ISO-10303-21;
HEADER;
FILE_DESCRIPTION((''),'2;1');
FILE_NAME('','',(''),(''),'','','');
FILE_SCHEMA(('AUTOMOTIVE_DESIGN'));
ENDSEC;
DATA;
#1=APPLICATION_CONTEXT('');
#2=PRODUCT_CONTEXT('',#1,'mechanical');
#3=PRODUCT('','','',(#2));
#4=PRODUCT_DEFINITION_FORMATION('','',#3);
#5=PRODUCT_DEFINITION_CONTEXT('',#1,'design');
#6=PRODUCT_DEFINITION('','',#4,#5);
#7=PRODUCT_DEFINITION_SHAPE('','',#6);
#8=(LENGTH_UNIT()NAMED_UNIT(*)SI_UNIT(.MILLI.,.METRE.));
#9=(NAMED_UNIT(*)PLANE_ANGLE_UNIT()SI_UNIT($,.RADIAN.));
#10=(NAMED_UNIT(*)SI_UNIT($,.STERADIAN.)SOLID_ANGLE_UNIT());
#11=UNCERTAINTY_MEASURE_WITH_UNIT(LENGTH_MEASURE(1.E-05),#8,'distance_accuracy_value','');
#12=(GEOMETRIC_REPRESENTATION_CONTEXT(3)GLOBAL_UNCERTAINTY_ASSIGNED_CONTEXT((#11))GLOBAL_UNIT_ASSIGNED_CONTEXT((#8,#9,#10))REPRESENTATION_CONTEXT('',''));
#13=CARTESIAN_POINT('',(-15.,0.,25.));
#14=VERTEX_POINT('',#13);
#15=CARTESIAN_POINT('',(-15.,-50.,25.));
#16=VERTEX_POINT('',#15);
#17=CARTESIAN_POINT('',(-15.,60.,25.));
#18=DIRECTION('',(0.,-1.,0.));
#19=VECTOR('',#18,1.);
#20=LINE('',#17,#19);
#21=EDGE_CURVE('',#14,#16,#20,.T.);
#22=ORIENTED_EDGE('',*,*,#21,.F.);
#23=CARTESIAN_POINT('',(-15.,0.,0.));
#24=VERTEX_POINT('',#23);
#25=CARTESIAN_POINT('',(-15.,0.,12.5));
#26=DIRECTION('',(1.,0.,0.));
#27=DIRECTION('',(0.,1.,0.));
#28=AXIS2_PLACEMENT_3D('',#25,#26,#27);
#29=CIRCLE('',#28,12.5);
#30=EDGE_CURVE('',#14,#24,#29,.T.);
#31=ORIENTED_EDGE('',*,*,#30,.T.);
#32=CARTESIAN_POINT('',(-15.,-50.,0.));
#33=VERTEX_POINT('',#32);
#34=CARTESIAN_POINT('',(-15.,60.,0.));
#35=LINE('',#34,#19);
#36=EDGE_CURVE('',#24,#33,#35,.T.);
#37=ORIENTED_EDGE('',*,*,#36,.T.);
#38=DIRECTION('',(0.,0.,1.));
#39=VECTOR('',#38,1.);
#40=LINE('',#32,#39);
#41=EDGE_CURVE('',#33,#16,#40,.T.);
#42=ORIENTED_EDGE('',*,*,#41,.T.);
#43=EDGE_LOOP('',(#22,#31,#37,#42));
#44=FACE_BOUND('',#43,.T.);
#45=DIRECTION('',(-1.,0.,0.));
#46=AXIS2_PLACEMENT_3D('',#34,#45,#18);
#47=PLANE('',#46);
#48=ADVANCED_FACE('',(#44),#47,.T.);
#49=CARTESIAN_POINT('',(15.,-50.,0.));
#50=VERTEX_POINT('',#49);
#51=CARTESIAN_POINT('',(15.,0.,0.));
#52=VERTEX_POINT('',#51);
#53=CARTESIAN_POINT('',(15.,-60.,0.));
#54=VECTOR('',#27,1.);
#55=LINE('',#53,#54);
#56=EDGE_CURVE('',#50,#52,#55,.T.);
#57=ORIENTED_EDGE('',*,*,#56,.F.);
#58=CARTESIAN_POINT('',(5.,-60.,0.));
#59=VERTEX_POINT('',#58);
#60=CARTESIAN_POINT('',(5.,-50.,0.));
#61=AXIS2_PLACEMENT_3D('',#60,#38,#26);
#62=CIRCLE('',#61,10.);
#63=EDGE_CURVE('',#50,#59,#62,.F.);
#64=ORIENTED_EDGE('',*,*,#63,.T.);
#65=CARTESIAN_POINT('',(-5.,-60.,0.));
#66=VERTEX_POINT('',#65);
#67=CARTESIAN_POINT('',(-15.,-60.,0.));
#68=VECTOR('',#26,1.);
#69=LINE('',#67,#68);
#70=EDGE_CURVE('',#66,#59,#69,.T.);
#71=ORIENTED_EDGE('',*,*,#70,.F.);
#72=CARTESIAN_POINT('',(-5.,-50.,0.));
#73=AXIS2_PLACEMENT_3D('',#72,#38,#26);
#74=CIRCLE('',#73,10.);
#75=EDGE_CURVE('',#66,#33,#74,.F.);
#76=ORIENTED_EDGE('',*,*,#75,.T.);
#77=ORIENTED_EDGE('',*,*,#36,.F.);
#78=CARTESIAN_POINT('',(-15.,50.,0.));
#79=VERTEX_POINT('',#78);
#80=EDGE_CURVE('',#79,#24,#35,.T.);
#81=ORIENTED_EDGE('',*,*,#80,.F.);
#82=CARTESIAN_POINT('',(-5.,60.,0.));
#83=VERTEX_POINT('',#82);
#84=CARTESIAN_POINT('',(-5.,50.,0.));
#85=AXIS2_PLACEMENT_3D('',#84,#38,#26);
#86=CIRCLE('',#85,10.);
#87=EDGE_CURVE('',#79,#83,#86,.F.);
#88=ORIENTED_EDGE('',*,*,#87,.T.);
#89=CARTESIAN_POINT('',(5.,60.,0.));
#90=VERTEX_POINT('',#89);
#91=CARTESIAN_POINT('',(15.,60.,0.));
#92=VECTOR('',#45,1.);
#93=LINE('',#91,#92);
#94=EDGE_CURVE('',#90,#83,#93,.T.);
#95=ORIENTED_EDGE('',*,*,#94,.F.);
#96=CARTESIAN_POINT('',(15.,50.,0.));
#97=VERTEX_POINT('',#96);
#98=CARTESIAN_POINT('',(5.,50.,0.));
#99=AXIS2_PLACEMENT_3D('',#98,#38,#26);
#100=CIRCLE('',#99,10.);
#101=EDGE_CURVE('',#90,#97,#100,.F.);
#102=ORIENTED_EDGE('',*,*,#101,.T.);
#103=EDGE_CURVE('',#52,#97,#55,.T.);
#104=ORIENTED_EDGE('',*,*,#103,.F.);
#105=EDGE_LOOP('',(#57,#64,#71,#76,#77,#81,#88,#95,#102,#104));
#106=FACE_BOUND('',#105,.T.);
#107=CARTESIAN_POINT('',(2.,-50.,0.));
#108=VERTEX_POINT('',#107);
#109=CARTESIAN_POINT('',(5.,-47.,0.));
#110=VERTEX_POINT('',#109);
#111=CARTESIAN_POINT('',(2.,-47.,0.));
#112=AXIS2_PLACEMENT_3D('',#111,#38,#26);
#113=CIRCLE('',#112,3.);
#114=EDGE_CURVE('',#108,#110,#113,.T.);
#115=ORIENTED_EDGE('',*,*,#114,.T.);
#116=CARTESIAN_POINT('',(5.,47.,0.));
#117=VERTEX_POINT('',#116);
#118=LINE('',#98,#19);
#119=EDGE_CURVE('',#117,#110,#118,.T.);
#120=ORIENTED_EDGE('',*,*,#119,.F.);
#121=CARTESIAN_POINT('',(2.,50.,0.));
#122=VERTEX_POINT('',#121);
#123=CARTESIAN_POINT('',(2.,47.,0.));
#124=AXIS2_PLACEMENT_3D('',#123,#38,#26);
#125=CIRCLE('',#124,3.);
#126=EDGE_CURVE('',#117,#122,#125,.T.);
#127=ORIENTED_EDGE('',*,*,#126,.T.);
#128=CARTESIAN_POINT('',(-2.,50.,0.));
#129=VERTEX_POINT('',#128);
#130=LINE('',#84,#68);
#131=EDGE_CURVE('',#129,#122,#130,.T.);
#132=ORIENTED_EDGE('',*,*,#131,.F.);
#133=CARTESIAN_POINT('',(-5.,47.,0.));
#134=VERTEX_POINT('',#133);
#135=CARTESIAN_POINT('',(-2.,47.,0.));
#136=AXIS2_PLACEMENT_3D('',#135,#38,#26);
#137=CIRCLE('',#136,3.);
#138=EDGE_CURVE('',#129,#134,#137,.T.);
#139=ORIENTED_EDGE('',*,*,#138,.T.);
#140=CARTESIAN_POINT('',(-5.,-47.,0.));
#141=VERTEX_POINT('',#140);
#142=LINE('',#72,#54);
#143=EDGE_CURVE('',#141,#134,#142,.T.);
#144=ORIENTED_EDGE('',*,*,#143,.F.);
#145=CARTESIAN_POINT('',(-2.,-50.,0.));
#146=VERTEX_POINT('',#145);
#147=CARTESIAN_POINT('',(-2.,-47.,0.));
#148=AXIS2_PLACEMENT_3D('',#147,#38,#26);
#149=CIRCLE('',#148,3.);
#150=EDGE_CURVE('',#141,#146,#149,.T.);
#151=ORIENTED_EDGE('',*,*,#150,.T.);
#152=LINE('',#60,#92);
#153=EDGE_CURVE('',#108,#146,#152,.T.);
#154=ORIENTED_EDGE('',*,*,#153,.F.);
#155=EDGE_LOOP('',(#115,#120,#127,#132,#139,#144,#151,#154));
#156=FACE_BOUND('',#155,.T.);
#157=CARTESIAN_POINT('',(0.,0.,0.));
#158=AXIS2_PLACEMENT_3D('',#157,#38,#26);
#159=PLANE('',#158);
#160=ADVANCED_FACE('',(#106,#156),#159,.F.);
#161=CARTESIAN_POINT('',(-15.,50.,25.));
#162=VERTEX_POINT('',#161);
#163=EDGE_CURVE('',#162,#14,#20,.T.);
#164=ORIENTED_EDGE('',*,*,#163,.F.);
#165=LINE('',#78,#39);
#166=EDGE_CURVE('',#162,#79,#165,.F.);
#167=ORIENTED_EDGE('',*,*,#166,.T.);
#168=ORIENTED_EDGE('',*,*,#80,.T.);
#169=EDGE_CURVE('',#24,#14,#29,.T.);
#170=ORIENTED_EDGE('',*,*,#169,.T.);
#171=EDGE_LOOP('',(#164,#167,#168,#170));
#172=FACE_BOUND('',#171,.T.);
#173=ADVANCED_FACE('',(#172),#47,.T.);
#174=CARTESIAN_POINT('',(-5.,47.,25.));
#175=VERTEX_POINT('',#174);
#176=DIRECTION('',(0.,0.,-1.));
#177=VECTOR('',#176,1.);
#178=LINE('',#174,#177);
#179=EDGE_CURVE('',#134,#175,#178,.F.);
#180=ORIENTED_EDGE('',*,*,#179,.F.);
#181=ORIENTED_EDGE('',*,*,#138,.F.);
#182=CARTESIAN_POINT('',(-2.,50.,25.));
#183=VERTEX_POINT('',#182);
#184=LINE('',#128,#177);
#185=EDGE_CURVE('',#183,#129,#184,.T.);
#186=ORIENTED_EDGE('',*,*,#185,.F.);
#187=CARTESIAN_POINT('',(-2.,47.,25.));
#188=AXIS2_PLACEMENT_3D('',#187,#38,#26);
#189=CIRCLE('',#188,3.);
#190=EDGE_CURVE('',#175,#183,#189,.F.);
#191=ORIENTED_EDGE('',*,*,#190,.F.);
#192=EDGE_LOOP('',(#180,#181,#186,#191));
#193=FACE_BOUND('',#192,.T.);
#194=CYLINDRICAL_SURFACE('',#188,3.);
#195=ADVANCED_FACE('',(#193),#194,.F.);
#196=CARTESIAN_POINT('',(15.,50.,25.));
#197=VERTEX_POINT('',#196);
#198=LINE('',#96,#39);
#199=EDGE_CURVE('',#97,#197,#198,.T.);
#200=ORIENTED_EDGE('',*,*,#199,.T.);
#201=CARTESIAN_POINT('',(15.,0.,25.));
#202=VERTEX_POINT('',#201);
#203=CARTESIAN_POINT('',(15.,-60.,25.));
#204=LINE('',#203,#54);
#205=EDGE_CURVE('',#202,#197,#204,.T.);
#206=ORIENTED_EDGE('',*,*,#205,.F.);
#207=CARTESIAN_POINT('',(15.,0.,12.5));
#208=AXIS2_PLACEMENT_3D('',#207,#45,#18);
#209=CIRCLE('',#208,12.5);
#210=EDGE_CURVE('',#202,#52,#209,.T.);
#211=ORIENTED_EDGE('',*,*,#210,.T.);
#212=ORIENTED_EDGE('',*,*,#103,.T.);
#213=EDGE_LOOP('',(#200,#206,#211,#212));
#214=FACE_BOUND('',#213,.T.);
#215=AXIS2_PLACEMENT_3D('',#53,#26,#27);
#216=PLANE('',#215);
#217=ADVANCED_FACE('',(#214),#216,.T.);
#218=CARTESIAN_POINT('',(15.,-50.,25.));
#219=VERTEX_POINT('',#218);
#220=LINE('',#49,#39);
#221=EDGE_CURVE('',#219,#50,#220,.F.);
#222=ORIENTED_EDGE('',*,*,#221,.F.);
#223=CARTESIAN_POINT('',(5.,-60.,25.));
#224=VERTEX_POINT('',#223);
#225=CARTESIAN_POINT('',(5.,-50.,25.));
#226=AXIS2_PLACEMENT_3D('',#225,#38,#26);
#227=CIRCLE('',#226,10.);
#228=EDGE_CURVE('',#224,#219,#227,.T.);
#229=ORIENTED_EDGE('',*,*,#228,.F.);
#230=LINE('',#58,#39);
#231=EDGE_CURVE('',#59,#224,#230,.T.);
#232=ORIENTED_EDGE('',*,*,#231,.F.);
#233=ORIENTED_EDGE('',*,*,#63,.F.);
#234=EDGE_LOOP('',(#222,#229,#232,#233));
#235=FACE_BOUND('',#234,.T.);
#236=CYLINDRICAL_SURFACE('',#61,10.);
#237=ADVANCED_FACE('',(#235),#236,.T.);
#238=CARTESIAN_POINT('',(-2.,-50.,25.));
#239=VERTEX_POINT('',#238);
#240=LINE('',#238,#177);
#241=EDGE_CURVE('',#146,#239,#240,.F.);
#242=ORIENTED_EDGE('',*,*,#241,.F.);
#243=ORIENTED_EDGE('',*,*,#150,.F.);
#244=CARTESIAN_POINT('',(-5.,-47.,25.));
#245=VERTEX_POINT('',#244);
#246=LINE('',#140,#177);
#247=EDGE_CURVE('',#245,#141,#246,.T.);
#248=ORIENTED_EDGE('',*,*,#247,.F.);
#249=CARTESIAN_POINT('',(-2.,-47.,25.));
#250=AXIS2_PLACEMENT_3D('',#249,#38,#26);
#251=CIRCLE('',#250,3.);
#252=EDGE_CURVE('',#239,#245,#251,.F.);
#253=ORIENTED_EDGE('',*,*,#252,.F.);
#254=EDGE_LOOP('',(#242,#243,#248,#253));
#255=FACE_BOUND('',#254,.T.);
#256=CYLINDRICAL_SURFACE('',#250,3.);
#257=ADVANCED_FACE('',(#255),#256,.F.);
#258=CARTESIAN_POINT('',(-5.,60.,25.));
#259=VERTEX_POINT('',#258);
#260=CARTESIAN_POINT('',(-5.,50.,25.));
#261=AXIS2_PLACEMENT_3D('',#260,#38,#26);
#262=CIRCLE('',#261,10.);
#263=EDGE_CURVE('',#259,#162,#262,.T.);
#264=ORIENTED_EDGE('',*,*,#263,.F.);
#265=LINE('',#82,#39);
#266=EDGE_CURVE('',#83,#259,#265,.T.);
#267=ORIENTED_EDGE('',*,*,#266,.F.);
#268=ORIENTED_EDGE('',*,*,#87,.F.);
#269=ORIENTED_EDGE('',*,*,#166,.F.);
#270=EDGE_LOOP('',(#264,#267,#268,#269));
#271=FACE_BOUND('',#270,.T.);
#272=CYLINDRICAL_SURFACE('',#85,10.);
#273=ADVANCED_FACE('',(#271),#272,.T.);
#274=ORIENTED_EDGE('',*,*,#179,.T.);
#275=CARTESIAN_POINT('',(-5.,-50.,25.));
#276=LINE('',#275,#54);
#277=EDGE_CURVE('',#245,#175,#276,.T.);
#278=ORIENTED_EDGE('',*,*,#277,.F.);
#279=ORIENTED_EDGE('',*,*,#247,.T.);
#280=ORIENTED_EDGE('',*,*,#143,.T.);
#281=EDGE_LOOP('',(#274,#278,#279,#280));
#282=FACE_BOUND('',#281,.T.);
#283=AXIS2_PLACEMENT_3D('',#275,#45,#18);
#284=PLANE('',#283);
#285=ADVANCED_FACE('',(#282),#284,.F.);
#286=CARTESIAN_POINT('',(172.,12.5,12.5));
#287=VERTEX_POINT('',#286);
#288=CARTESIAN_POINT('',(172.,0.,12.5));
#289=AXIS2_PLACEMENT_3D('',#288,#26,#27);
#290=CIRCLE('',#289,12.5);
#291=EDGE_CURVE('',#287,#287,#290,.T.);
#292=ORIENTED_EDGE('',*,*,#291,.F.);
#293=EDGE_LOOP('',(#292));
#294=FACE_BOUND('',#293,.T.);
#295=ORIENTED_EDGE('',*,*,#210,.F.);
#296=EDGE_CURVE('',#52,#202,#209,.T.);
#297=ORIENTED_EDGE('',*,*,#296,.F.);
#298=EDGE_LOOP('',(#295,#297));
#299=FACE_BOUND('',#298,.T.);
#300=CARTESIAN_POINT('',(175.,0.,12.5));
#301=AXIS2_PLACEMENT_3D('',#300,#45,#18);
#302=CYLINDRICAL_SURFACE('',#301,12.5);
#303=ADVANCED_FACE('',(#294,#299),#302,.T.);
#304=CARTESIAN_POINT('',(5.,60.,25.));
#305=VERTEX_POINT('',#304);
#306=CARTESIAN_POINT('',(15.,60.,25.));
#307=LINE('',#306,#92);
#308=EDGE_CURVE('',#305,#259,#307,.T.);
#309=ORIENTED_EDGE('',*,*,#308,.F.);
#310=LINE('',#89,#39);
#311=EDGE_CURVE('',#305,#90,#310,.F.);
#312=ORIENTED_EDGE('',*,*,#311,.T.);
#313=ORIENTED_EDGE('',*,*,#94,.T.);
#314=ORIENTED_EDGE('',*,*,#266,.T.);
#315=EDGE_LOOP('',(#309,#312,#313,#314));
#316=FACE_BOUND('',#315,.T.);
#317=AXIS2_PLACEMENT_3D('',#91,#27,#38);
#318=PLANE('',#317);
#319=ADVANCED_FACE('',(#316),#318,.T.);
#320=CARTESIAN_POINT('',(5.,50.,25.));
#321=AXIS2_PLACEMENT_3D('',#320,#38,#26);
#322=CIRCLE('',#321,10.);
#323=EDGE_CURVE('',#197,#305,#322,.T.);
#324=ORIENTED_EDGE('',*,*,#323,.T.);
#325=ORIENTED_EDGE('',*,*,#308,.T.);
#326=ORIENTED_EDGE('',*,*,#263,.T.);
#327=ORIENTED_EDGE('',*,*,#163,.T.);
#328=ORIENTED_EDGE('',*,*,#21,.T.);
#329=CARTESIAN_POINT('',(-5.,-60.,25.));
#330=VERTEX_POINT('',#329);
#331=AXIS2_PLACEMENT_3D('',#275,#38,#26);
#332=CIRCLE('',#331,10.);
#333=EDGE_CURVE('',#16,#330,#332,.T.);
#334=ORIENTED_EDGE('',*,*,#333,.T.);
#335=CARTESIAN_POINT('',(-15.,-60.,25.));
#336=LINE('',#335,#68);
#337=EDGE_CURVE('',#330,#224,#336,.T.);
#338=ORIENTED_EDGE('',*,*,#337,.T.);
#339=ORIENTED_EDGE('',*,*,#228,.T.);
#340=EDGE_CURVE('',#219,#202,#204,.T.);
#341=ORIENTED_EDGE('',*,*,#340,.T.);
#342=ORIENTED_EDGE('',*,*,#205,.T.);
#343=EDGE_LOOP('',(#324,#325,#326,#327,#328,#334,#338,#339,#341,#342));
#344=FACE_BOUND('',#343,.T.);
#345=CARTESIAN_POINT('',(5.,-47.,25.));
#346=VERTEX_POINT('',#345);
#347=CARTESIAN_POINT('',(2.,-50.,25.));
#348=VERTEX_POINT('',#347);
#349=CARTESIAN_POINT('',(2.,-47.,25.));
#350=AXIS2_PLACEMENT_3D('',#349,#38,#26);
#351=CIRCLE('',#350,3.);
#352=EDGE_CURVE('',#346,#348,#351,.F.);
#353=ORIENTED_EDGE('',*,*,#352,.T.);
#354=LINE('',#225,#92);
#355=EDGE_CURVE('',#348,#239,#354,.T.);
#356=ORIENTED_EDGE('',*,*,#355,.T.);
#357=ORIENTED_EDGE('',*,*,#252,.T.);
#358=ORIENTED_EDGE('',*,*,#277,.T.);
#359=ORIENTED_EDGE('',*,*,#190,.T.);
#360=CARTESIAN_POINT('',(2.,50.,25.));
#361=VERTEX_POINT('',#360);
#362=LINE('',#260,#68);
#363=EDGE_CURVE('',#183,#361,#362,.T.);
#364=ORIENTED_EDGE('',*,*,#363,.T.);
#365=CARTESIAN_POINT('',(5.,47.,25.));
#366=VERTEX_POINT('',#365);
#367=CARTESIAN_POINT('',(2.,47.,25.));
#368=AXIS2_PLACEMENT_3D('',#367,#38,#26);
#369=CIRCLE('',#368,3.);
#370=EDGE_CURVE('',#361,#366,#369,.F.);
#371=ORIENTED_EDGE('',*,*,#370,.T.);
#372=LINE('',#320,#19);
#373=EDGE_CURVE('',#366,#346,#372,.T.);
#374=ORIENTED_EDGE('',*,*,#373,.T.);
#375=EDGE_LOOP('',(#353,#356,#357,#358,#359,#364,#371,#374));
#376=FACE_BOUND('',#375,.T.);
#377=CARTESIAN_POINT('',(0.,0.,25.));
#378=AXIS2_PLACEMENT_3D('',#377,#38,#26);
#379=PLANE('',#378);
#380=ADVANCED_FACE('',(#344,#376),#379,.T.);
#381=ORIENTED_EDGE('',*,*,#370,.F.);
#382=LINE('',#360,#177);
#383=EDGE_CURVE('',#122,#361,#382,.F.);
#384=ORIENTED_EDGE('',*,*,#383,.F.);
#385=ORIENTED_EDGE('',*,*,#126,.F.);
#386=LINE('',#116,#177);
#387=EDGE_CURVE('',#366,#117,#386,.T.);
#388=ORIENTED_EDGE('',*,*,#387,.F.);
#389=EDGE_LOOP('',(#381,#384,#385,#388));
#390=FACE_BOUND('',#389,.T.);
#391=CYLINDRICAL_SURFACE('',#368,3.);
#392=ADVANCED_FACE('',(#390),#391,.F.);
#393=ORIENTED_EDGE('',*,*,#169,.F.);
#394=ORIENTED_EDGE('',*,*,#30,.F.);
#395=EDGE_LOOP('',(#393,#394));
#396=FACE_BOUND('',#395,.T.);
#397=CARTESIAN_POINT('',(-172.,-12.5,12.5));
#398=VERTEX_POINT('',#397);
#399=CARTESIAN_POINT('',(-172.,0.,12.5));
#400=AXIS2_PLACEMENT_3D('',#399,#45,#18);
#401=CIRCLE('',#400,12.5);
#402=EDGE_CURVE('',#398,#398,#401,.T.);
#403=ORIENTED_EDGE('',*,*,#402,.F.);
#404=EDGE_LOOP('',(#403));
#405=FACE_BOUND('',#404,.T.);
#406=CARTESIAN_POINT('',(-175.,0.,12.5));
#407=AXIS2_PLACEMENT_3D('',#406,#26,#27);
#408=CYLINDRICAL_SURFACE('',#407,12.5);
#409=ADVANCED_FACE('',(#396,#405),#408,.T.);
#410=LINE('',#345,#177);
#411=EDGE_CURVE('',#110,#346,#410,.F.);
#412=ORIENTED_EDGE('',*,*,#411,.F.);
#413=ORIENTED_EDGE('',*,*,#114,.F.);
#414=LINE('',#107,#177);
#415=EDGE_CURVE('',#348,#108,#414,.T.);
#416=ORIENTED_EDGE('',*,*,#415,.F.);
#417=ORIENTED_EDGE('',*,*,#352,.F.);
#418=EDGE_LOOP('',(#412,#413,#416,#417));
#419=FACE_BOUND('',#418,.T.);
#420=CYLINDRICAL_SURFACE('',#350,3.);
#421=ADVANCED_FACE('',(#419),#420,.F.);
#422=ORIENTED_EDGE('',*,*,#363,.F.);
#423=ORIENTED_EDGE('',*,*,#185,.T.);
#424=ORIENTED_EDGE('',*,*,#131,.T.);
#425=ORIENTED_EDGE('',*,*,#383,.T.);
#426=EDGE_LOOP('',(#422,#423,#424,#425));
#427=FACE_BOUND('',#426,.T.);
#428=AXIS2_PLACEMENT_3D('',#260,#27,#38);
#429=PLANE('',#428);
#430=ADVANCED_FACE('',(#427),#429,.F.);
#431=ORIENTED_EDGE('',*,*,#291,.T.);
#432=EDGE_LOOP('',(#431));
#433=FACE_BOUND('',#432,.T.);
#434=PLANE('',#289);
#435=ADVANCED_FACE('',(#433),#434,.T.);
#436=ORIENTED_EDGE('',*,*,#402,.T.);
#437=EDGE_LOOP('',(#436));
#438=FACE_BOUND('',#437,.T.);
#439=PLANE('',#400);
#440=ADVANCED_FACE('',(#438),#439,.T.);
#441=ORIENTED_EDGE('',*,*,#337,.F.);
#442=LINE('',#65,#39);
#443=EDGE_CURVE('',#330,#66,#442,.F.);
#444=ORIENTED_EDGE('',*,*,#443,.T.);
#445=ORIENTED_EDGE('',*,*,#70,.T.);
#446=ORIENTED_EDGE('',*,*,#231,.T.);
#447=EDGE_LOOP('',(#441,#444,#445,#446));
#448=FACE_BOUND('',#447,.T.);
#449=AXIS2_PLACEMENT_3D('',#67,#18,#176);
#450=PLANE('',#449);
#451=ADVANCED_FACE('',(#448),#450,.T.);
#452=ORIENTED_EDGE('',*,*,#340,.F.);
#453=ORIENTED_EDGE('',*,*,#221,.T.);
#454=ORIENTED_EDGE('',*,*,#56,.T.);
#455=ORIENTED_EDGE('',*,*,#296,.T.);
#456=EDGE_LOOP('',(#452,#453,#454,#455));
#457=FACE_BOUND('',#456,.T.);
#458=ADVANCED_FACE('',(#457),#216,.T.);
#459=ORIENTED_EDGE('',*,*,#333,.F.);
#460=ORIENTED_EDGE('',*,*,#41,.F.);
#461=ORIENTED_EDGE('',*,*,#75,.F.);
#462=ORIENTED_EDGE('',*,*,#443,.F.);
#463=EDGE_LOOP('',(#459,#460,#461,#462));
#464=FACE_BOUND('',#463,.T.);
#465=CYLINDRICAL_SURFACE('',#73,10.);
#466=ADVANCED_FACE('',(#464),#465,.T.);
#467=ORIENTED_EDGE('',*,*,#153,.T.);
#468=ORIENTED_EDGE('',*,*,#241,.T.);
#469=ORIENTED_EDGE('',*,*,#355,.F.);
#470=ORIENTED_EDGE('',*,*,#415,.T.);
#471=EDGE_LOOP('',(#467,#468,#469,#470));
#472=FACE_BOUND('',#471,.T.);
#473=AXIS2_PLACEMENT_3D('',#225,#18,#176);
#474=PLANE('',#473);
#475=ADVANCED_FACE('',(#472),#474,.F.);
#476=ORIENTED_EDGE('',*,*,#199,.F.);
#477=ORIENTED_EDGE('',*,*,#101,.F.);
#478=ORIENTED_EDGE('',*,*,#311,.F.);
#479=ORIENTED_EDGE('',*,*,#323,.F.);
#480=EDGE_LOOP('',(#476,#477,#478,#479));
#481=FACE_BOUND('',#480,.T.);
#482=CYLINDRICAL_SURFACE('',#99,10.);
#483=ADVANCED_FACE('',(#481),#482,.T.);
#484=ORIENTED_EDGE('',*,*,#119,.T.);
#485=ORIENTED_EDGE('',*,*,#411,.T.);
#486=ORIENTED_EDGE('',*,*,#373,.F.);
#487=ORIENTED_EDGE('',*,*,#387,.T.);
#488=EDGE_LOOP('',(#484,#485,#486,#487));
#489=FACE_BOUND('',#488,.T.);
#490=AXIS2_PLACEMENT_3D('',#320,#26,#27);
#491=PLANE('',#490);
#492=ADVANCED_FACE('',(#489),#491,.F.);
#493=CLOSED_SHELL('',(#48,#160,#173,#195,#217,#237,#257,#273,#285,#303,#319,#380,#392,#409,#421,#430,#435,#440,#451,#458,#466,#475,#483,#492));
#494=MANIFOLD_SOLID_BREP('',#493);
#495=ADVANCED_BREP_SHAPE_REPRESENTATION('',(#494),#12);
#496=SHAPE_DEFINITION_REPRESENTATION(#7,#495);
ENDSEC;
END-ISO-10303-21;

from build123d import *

# Parameters (mm, degrees)
SKETCH1_W           = 30
SKETCH1_H           = 120
BOSS_EXTRUDE1_DEPTH = 25
SKETCH2_W           = 10
SKETCH2_H           = 100
CUT_EXTRUDE1_DEPTH  = 26
SKETCH3_W           = 160
SKETCH3_H           = 12.5
SKETCH4_W           = 160
SKETCH4_H           = 12.5
FILLET1_R           = 3
FILLET2_R           = 10
SKETCH5_R           = 12.5
CUT_EXTRUDE2_DEPTH  = 3
SKETCH6_R           = 12.5
CUT_EXTRUDE3_DEPTH  = 3


with BuildPart() as part:
    # Sketch1 → Boss-Extrude1 (new body)
    with BuildSketch(Plane.XY.offset(25)):
        Rectangle(SKETCH1_W, SKETCH1_H)
    extrude(amount=-BOSS_EXTRUDE1_DEPTH)

    # Sketch2 → Cut-Extrude1 (cut, through all)
    with BuildSketch(Plane(origin=(0, 0, 0), x_dir=(-1, 0, 0), z_dir=(0, 0, -1))):
        Rectangle(SKETCH2_W, SKETCH2_H)
    extrude(amount=-CUT_EXTRUDE1_DEPTH, mode=Mode.SUBTRACT)

    # Sketch3 → Revolve1 (revolve)
    with BuildSketch(Plane.XY.offset(12.5)):
        with Locations((-95, 6.25)):
            Rectangle(SKETCH3_W, SKETCH3_H)
    revolve(axis=Axis((-175, 0, 12.5), (1, 0, 0)))

    # Sketch4 → Revolve2 (revolve)
    with BuildSketch(Plane(origin=(0, 0, 12.5), x_dir=(-1, 0, 0), z_dir=(0, 0, -1))):
        with Locations((-95, 6.25)):
            Rectangle(SKETCH4_W, SKETCH4_H)
    revolve(axis=Axis((175, 0, 12.5), (-1, 0, 0)))

    # Fillet1
    fillet1_edges = [part.edges().sort_by_distance(p)[0] for p in [
        (-5, -50, 12.5),
        (5, -50, 12.5),
        (5, 50, 12.5),
        (-5, 50, 12.5),
    ]]
    fillet(fillet1_edges, radius=FILLET1_R)

    # Fillet2
    fillet2_edges = [part.edges().sort_by_distance(p)[0] for p in [
        (-15, 60, 12.5),
        (15, 60, 12.5),
        (15, -60, 12.5),
        (-15, -60, 12.5),
    ]]
    fillet(fillet2_edges, radius=FILLET2_R)

    # Sketch5 → Cut-Extrude2 (cut)
    with BuildSketch(Plane(origin=(175, 0, 0), x_dir=(0, 0, -1), z_dir=(1, 0, 0))):
        with Locations((-12.5, 0)):
            Circle(SKETCH5_R)
    extrude(amount=-CUT_EXTRUDE2_DEPTH, mode=Mode.SUBTRACT)

    # Sketch6 → Cut-Extrude3 (cut)
    with BuildSketch(Plane.ZY.offset(175)):
        with Locations((12.5, 0)):
            Circle(SKETCH6_R)
    extrude(amount=-CUT_EXTRUDE3_DEPTH, mode=Mode.SUBTRACT)


solid = part.part
